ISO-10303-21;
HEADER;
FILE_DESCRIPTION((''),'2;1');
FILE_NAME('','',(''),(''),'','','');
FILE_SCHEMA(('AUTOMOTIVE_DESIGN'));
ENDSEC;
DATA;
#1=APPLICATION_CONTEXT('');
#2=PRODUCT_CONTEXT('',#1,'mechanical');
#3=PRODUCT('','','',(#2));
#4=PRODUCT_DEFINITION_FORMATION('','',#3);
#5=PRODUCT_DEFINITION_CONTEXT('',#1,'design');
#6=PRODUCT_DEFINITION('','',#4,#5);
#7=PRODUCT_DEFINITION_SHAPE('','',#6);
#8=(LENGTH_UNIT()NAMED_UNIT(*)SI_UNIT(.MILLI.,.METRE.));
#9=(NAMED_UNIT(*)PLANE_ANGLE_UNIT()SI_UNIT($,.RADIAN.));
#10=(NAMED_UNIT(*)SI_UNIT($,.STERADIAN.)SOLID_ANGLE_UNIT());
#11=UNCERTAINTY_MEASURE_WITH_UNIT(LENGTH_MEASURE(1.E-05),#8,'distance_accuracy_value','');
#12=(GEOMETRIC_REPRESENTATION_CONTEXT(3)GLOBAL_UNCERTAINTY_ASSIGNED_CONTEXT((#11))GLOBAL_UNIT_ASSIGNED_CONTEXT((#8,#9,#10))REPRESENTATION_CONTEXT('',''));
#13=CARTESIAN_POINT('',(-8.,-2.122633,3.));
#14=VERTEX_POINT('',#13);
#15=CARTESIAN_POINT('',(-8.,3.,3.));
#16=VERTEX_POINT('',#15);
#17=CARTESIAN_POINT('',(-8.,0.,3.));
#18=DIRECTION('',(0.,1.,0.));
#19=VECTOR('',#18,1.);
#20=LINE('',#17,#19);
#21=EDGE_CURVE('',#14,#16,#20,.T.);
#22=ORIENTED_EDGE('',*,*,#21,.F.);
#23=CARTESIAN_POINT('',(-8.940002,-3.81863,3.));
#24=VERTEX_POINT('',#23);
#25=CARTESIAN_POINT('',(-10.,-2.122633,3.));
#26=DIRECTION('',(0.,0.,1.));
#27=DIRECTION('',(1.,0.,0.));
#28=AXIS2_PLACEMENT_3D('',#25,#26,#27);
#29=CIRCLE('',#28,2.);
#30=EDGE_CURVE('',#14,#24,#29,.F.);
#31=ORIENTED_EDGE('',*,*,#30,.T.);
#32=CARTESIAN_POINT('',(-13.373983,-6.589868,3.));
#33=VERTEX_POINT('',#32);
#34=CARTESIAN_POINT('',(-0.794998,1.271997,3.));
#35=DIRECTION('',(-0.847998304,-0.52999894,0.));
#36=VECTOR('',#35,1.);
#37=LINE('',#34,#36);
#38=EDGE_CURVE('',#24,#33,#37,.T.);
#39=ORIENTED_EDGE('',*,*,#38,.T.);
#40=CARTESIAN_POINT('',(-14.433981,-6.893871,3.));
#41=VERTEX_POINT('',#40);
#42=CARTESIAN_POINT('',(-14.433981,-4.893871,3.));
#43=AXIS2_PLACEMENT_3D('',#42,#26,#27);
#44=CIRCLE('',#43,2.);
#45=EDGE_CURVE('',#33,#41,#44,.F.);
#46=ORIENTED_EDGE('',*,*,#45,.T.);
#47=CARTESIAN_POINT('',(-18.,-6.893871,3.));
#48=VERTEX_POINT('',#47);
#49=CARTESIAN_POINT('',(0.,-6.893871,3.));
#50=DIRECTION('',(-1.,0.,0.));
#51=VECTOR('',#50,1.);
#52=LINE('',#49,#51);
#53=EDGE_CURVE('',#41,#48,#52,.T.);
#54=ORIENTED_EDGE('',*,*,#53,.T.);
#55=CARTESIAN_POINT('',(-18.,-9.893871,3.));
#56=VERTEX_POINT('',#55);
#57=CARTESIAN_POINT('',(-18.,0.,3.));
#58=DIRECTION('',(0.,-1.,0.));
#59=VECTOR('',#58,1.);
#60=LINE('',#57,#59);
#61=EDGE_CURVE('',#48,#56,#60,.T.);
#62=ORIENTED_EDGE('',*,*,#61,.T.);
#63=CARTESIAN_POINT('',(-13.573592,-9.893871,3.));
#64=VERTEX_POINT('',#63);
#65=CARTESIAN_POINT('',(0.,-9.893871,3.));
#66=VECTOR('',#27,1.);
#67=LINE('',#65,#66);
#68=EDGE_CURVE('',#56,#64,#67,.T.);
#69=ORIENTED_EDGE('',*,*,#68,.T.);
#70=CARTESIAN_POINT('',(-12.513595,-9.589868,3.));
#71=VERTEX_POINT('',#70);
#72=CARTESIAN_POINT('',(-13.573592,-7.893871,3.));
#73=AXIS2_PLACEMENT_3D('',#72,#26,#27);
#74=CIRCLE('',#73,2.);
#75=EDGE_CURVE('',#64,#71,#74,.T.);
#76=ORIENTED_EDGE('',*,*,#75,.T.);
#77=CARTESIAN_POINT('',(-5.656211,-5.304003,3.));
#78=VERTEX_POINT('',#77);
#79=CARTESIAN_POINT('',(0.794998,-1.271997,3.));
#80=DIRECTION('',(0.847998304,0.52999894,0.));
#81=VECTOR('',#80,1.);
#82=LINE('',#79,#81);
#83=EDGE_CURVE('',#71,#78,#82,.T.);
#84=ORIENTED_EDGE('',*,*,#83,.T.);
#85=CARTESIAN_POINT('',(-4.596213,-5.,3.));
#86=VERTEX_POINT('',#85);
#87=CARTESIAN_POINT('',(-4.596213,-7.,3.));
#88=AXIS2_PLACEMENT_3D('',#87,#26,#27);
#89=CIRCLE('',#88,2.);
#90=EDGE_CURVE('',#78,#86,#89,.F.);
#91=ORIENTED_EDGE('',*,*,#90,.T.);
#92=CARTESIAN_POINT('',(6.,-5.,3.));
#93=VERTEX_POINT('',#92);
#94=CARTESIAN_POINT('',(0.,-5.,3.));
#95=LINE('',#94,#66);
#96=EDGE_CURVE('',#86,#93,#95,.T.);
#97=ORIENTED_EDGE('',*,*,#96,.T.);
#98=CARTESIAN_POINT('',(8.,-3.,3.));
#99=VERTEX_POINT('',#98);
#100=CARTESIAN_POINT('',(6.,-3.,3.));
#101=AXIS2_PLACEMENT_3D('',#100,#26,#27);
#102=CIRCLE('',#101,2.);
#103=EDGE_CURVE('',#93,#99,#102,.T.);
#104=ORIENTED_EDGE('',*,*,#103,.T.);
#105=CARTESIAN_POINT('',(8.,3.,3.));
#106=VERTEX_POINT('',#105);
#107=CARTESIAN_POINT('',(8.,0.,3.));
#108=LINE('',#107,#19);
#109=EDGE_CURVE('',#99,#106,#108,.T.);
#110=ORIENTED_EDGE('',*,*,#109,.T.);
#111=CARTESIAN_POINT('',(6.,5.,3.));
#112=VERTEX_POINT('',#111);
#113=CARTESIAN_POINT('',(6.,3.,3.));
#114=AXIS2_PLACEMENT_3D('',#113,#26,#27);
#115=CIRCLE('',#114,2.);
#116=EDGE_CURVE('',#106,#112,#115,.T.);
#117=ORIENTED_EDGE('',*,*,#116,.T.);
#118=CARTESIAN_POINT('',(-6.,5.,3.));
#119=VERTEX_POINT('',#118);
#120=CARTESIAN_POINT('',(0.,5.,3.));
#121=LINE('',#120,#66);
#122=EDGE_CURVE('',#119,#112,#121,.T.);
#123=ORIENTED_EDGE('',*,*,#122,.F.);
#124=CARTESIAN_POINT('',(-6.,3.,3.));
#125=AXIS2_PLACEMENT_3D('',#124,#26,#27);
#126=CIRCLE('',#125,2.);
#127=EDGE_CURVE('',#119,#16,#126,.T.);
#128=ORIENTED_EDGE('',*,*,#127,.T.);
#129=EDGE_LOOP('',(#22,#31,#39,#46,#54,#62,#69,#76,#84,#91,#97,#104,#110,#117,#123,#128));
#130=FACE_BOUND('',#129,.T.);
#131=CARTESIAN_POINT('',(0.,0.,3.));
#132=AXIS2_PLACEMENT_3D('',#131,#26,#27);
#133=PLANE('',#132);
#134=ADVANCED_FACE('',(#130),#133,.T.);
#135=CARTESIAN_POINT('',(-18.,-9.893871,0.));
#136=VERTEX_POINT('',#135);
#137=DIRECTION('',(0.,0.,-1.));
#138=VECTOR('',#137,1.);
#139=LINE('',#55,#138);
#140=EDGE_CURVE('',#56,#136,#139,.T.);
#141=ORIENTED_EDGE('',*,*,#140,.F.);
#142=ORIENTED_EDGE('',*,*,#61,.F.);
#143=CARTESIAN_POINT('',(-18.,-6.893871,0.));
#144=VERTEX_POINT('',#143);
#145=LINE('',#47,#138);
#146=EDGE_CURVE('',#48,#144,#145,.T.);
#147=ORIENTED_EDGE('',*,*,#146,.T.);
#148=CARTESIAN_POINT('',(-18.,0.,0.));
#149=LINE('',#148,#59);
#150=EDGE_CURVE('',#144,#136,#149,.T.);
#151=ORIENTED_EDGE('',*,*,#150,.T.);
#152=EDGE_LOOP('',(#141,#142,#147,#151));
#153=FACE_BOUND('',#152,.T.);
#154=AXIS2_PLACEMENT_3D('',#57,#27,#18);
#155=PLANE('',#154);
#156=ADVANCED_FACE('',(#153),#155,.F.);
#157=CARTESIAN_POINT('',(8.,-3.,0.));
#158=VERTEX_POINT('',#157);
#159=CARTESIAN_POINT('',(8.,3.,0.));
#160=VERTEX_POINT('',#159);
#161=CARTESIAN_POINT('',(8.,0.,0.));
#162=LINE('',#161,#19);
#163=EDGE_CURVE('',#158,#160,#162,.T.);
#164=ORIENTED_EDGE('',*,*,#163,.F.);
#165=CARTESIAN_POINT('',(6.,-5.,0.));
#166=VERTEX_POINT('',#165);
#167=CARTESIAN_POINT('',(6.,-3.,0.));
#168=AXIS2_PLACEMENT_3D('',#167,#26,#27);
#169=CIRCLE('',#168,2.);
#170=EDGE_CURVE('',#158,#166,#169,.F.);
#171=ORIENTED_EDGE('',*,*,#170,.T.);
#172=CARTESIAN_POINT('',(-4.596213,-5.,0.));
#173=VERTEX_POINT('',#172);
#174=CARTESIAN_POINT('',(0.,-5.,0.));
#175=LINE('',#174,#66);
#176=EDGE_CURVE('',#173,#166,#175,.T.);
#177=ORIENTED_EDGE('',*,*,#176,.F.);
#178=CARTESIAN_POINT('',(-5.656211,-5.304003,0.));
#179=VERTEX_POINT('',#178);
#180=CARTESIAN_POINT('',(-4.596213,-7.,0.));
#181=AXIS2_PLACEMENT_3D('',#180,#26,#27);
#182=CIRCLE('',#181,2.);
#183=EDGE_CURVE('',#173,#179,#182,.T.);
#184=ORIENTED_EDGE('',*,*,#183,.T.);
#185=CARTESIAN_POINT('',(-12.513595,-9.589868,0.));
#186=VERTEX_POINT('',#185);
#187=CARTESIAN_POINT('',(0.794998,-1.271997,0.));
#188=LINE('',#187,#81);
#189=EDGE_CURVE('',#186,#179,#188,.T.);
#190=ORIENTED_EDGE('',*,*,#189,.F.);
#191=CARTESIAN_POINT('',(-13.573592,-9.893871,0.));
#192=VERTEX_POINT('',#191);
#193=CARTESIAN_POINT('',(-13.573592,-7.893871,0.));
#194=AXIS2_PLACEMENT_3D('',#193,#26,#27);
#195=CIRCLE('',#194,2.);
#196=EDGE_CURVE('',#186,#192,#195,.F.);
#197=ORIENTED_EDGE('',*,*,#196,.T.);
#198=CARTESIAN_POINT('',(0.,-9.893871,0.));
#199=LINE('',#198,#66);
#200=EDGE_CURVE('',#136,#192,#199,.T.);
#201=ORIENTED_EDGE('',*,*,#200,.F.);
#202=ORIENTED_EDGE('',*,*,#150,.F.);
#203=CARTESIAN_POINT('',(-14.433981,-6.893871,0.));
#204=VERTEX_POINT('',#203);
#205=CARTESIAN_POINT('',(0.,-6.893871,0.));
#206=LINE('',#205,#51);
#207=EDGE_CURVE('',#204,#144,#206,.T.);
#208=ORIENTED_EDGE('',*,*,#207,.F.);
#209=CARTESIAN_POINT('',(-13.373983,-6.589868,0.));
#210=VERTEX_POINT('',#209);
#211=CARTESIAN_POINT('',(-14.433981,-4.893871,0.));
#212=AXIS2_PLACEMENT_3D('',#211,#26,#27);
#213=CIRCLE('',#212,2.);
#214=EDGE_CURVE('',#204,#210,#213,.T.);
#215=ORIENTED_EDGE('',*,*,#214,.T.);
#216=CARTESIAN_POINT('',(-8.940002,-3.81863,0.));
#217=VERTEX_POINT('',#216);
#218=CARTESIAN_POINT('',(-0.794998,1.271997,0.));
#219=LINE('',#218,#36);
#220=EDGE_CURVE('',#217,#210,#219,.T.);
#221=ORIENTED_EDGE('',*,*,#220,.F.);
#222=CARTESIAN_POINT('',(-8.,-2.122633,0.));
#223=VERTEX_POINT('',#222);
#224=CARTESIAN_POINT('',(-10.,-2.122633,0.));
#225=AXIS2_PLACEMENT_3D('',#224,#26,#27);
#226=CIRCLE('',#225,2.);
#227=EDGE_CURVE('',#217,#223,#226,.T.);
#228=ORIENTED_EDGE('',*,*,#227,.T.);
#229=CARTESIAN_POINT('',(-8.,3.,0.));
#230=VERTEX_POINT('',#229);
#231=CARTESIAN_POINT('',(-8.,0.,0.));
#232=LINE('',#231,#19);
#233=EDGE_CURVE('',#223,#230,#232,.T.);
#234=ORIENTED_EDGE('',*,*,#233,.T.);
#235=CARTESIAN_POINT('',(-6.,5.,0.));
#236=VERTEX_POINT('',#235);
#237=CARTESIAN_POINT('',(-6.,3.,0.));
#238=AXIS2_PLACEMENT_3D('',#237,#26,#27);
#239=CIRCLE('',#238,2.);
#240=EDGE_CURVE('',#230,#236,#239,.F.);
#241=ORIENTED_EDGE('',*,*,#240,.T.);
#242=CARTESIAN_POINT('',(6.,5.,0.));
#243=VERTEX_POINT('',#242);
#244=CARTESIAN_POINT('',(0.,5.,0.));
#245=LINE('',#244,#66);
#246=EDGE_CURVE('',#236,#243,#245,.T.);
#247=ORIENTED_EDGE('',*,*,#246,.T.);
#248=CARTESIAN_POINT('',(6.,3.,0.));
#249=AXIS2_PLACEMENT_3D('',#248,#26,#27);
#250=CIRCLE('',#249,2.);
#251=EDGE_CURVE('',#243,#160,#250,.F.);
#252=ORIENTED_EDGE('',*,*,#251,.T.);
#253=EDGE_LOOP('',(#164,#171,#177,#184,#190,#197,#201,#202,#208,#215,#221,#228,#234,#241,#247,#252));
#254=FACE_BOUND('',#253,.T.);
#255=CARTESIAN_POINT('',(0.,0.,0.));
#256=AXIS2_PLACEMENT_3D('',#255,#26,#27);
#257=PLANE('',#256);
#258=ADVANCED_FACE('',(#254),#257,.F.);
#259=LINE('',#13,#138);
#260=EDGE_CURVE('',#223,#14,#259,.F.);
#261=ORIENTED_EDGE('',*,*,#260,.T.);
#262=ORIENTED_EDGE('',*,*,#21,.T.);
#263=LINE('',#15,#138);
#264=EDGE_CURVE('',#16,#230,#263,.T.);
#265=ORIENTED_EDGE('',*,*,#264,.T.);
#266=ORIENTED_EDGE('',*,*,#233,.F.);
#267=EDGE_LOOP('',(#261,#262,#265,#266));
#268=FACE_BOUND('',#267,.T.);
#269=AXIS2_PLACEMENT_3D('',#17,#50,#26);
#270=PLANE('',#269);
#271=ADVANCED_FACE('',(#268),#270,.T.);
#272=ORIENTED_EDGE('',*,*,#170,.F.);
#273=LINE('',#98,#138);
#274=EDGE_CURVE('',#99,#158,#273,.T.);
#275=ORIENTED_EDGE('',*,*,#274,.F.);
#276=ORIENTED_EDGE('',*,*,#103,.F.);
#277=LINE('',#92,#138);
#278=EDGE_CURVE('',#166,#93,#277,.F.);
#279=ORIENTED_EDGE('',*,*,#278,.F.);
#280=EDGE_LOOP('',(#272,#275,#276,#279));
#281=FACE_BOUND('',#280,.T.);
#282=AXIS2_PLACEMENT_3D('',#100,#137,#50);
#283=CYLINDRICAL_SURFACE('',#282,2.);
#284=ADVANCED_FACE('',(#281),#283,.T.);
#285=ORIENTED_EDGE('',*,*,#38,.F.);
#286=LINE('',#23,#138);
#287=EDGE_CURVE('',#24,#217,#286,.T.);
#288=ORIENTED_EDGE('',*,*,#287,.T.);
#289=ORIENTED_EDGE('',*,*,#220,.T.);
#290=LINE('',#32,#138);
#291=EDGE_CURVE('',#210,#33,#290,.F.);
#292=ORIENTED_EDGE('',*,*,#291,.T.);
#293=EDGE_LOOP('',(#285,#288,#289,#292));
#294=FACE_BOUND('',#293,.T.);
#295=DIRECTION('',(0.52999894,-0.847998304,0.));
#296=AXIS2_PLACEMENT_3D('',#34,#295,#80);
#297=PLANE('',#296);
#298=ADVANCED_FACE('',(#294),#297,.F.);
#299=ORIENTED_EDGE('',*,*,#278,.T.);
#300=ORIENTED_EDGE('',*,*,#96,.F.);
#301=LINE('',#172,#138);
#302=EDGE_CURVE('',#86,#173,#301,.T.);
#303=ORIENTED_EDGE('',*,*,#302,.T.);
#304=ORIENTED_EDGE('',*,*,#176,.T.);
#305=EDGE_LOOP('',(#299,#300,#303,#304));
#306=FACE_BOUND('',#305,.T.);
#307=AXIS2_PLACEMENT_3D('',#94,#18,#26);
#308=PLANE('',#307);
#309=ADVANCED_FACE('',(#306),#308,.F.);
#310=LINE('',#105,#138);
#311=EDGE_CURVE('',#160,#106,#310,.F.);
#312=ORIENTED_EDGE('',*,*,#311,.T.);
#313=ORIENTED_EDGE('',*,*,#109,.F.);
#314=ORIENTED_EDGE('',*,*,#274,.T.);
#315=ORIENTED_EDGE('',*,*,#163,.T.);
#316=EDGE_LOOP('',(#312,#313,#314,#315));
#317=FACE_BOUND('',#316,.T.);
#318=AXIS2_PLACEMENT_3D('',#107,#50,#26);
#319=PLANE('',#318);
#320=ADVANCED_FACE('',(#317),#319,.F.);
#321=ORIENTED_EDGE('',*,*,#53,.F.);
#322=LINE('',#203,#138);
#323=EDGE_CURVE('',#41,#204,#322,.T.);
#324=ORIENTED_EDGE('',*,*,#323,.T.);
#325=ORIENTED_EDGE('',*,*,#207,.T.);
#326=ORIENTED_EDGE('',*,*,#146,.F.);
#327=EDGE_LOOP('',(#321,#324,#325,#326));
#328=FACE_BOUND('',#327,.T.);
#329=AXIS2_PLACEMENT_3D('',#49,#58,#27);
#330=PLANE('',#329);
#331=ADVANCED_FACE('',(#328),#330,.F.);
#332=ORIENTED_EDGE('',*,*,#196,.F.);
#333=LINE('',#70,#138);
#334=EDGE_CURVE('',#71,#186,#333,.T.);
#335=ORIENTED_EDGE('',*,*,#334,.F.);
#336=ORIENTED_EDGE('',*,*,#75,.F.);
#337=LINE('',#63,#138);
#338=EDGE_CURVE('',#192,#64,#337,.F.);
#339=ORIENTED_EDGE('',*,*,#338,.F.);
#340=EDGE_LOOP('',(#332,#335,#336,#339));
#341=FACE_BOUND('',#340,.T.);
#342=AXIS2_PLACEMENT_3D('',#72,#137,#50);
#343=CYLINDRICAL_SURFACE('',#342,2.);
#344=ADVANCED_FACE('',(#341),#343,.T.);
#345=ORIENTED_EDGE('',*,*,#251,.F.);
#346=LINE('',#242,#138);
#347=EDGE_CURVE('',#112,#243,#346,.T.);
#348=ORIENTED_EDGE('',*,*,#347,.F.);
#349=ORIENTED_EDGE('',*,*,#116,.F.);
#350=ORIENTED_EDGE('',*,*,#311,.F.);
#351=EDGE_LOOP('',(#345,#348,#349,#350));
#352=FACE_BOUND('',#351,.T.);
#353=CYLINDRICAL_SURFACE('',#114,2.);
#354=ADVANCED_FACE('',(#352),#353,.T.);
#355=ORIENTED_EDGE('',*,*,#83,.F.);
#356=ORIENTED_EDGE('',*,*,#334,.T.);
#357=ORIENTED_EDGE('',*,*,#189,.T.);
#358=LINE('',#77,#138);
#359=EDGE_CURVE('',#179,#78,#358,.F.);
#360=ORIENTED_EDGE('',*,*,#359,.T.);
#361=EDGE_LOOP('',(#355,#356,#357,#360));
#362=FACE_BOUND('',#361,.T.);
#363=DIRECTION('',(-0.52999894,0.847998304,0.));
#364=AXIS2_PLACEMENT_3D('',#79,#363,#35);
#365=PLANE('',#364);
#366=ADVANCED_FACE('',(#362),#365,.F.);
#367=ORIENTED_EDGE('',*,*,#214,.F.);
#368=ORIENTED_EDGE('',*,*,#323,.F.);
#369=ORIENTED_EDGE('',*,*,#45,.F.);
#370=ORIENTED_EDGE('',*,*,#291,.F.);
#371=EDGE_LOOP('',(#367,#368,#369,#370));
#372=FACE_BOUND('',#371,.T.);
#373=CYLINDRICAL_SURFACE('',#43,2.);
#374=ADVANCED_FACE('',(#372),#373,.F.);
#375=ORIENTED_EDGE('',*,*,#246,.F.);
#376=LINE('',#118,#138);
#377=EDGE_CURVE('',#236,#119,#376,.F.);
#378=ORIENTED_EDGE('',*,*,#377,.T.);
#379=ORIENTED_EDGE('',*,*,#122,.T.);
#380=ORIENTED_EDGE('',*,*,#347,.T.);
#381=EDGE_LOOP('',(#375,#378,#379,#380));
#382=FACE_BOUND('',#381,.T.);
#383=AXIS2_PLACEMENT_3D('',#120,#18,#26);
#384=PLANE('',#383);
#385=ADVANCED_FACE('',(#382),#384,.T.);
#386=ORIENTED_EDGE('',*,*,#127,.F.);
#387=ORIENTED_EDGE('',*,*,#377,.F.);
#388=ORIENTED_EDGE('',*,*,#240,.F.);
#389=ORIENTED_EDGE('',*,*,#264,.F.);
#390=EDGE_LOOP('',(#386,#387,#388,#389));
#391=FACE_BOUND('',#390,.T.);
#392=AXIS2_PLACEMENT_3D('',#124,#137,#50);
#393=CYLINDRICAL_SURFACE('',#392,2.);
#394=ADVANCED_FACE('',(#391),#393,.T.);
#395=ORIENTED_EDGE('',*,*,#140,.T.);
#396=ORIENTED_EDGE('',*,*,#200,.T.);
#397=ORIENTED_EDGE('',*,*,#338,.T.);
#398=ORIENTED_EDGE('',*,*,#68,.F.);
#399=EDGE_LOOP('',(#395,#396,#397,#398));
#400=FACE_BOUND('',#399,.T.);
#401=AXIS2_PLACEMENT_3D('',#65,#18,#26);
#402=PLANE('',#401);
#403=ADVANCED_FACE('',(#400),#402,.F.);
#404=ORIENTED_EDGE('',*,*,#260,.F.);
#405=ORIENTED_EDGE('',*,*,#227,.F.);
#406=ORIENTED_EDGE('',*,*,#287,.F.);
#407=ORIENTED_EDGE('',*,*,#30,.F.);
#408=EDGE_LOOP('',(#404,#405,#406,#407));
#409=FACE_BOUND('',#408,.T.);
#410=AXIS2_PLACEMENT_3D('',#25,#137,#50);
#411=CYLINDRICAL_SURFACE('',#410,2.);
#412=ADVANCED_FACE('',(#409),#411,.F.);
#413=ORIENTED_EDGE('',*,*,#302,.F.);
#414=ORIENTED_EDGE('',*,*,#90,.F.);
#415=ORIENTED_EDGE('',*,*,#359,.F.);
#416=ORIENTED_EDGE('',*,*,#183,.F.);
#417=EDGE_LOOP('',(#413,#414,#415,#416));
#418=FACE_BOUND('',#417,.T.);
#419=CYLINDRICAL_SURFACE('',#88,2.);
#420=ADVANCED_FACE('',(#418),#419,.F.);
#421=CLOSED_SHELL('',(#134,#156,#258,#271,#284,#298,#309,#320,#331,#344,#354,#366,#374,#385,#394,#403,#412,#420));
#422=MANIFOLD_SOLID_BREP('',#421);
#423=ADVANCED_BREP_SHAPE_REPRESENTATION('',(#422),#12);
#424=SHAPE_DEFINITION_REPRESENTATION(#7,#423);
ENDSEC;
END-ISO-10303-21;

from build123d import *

# Parameters (mm, degrees)
SKETCH_1_W      = 16
SKETCH_1_H      = 10
EXTRUDE_1_DEPTH = 3
FILLET_1_R      = 2


with BuildPart() as part:
    # 草图1 → 凸台-拉伸1 (new body)
    with BuildSketch(Plane.XY):
        Polygon((-8, -5), (-8, -3.231128538), (-13.860388679, -6.893871462), (-18, -6.893871462), (-18, -9.893871462), (-13, -9.893871462), (-5.16980566, -5), align=None)
        Rectangle(SKETCH_1_W, SKETCH_1_H)
    extrude(amount=EXTRUDE_1_DEPTH)

    # 圆角1
    fillet_1_edges = [part.edges().sort_by_distance(p)[0] for p in [
        (-13, -9.893871462, 1.5),
        (-13.860388679, -6.893871462, 1.5),
        (-8, -3.231128538, 1.5),
        (-8, 5, 1.5),
        (8, 5, 1.5),
        (8, -5, 1.5),
        (-5.16980566, -5, 1.5),
    ]]
    fillet(fillet_1_edges, radius=FILLET_1_R)


solid = part.part
